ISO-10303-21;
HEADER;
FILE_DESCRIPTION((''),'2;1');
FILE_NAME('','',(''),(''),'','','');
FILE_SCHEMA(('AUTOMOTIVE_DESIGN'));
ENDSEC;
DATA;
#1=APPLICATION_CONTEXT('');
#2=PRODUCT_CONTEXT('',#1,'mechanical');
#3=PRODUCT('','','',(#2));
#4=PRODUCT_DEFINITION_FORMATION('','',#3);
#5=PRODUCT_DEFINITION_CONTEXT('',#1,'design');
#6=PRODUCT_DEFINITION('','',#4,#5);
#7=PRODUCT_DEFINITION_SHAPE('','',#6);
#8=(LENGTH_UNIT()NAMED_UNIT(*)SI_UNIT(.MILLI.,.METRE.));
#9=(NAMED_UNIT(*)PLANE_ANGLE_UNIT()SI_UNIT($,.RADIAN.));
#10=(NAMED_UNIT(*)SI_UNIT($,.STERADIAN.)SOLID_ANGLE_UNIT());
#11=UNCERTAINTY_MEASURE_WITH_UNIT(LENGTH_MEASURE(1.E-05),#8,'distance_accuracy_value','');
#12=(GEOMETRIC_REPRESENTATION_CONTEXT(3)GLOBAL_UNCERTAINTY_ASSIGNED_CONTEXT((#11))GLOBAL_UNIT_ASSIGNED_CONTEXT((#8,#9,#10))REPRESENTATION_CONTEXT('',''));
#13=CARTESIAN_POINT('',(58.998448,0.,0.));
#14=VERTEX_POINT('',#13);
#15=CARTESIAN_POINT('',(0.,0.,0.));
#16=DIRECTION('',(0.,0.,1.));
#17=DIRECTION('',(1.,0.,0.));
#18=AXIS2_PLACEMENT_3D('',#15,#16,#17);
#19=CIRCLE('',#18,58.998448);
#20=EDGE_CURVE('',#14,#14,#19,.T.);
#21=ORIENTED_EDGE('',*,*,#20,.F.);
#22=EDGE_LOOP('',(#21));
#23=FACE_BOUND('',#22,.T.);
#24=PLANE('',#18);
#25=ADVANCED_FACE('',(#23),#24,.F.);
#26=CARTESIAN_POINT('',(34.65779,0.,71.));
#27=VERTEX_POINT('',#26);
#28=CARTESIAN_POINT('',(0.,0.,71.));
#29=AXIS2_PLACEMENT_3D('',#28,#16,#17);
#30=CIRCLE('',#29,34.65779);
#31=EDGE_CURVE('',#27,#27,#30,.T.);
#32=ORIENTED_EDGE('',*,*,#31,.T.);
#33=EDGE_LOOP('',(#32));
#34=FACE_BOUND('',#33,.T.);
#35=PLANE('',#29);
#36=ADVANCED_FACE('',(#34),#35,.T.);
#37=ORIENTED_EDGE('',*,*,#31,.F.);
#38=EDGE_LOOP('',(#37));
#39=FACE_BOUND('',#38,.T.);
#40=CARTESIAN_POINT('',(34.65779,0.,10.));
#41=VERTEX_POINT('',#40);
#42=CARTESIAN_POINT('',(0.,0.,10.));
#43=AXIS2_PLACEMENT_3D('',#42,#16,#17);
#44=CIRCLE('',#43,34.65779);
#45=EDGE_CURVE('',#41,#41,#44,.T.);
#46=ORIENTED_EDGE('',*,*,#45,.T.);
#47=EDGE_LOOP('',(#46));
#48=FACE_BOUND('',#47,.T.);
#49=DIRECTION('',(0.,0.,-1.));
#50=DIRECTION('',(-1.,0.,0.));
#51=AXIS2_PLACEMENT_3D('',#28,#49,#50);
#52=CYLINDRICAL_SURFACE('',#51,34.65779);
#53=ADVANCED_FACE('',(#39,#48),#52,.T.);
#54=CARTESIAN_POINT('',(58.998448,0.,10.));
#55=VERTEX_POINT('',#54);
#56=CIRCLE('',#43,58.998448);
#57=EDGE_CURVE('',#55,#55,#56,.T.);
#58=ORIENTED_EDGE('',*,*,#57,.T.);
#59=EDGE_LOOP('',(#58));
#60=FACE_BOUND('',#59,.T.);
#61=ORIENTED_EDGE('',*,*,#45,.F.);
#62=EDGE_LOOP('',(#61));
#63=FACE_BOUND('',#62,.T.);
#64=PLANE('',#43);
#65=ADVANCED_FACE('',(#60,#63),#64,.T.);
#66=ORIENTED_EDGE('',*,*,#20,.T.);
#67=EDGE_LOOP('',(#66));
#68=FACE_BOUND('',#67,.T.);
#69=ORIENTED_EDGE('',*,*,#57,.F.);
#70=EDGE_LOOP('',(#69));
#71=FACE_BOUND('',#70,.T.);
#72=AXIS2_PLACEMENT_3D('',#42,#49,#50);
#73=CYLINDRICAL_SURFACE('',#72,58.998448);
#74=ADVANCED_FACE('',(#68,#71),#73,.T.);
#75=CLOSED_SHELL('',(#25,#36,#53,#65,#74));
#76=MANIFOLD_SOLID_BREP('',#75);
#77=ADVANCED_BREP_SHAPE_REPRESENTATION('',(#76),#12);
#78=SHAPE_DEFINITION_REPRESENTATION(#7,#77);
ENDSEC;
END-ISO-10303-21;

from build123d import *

# Parameters (mm, degrees)
SKETCH1_R           = 58.998448378
BOSS_EXTRUDE1_DEPTH = 10
SKETCH2_R           = 34.657790165
BOSS_EXTRUDE2_DEPTH = 61


with BuildPart() as part:
    # Sketch1 → Boss-Extrude1 (new body)
    with BuildSketch(Plane.XY):
        Circle(SKETCH1_R)
    extrude(amount=BOSS_EXTRUDE1_DEPTH)

    # Sketch2 → Boss-Extrude2 (add)
    with BuildSketch(Plane.XY.offset(10)):
        Circle(SKETCH2_R)
    extrude(amount=BOSS_EXTRUDE2_DEPTH)


solid = part.part
